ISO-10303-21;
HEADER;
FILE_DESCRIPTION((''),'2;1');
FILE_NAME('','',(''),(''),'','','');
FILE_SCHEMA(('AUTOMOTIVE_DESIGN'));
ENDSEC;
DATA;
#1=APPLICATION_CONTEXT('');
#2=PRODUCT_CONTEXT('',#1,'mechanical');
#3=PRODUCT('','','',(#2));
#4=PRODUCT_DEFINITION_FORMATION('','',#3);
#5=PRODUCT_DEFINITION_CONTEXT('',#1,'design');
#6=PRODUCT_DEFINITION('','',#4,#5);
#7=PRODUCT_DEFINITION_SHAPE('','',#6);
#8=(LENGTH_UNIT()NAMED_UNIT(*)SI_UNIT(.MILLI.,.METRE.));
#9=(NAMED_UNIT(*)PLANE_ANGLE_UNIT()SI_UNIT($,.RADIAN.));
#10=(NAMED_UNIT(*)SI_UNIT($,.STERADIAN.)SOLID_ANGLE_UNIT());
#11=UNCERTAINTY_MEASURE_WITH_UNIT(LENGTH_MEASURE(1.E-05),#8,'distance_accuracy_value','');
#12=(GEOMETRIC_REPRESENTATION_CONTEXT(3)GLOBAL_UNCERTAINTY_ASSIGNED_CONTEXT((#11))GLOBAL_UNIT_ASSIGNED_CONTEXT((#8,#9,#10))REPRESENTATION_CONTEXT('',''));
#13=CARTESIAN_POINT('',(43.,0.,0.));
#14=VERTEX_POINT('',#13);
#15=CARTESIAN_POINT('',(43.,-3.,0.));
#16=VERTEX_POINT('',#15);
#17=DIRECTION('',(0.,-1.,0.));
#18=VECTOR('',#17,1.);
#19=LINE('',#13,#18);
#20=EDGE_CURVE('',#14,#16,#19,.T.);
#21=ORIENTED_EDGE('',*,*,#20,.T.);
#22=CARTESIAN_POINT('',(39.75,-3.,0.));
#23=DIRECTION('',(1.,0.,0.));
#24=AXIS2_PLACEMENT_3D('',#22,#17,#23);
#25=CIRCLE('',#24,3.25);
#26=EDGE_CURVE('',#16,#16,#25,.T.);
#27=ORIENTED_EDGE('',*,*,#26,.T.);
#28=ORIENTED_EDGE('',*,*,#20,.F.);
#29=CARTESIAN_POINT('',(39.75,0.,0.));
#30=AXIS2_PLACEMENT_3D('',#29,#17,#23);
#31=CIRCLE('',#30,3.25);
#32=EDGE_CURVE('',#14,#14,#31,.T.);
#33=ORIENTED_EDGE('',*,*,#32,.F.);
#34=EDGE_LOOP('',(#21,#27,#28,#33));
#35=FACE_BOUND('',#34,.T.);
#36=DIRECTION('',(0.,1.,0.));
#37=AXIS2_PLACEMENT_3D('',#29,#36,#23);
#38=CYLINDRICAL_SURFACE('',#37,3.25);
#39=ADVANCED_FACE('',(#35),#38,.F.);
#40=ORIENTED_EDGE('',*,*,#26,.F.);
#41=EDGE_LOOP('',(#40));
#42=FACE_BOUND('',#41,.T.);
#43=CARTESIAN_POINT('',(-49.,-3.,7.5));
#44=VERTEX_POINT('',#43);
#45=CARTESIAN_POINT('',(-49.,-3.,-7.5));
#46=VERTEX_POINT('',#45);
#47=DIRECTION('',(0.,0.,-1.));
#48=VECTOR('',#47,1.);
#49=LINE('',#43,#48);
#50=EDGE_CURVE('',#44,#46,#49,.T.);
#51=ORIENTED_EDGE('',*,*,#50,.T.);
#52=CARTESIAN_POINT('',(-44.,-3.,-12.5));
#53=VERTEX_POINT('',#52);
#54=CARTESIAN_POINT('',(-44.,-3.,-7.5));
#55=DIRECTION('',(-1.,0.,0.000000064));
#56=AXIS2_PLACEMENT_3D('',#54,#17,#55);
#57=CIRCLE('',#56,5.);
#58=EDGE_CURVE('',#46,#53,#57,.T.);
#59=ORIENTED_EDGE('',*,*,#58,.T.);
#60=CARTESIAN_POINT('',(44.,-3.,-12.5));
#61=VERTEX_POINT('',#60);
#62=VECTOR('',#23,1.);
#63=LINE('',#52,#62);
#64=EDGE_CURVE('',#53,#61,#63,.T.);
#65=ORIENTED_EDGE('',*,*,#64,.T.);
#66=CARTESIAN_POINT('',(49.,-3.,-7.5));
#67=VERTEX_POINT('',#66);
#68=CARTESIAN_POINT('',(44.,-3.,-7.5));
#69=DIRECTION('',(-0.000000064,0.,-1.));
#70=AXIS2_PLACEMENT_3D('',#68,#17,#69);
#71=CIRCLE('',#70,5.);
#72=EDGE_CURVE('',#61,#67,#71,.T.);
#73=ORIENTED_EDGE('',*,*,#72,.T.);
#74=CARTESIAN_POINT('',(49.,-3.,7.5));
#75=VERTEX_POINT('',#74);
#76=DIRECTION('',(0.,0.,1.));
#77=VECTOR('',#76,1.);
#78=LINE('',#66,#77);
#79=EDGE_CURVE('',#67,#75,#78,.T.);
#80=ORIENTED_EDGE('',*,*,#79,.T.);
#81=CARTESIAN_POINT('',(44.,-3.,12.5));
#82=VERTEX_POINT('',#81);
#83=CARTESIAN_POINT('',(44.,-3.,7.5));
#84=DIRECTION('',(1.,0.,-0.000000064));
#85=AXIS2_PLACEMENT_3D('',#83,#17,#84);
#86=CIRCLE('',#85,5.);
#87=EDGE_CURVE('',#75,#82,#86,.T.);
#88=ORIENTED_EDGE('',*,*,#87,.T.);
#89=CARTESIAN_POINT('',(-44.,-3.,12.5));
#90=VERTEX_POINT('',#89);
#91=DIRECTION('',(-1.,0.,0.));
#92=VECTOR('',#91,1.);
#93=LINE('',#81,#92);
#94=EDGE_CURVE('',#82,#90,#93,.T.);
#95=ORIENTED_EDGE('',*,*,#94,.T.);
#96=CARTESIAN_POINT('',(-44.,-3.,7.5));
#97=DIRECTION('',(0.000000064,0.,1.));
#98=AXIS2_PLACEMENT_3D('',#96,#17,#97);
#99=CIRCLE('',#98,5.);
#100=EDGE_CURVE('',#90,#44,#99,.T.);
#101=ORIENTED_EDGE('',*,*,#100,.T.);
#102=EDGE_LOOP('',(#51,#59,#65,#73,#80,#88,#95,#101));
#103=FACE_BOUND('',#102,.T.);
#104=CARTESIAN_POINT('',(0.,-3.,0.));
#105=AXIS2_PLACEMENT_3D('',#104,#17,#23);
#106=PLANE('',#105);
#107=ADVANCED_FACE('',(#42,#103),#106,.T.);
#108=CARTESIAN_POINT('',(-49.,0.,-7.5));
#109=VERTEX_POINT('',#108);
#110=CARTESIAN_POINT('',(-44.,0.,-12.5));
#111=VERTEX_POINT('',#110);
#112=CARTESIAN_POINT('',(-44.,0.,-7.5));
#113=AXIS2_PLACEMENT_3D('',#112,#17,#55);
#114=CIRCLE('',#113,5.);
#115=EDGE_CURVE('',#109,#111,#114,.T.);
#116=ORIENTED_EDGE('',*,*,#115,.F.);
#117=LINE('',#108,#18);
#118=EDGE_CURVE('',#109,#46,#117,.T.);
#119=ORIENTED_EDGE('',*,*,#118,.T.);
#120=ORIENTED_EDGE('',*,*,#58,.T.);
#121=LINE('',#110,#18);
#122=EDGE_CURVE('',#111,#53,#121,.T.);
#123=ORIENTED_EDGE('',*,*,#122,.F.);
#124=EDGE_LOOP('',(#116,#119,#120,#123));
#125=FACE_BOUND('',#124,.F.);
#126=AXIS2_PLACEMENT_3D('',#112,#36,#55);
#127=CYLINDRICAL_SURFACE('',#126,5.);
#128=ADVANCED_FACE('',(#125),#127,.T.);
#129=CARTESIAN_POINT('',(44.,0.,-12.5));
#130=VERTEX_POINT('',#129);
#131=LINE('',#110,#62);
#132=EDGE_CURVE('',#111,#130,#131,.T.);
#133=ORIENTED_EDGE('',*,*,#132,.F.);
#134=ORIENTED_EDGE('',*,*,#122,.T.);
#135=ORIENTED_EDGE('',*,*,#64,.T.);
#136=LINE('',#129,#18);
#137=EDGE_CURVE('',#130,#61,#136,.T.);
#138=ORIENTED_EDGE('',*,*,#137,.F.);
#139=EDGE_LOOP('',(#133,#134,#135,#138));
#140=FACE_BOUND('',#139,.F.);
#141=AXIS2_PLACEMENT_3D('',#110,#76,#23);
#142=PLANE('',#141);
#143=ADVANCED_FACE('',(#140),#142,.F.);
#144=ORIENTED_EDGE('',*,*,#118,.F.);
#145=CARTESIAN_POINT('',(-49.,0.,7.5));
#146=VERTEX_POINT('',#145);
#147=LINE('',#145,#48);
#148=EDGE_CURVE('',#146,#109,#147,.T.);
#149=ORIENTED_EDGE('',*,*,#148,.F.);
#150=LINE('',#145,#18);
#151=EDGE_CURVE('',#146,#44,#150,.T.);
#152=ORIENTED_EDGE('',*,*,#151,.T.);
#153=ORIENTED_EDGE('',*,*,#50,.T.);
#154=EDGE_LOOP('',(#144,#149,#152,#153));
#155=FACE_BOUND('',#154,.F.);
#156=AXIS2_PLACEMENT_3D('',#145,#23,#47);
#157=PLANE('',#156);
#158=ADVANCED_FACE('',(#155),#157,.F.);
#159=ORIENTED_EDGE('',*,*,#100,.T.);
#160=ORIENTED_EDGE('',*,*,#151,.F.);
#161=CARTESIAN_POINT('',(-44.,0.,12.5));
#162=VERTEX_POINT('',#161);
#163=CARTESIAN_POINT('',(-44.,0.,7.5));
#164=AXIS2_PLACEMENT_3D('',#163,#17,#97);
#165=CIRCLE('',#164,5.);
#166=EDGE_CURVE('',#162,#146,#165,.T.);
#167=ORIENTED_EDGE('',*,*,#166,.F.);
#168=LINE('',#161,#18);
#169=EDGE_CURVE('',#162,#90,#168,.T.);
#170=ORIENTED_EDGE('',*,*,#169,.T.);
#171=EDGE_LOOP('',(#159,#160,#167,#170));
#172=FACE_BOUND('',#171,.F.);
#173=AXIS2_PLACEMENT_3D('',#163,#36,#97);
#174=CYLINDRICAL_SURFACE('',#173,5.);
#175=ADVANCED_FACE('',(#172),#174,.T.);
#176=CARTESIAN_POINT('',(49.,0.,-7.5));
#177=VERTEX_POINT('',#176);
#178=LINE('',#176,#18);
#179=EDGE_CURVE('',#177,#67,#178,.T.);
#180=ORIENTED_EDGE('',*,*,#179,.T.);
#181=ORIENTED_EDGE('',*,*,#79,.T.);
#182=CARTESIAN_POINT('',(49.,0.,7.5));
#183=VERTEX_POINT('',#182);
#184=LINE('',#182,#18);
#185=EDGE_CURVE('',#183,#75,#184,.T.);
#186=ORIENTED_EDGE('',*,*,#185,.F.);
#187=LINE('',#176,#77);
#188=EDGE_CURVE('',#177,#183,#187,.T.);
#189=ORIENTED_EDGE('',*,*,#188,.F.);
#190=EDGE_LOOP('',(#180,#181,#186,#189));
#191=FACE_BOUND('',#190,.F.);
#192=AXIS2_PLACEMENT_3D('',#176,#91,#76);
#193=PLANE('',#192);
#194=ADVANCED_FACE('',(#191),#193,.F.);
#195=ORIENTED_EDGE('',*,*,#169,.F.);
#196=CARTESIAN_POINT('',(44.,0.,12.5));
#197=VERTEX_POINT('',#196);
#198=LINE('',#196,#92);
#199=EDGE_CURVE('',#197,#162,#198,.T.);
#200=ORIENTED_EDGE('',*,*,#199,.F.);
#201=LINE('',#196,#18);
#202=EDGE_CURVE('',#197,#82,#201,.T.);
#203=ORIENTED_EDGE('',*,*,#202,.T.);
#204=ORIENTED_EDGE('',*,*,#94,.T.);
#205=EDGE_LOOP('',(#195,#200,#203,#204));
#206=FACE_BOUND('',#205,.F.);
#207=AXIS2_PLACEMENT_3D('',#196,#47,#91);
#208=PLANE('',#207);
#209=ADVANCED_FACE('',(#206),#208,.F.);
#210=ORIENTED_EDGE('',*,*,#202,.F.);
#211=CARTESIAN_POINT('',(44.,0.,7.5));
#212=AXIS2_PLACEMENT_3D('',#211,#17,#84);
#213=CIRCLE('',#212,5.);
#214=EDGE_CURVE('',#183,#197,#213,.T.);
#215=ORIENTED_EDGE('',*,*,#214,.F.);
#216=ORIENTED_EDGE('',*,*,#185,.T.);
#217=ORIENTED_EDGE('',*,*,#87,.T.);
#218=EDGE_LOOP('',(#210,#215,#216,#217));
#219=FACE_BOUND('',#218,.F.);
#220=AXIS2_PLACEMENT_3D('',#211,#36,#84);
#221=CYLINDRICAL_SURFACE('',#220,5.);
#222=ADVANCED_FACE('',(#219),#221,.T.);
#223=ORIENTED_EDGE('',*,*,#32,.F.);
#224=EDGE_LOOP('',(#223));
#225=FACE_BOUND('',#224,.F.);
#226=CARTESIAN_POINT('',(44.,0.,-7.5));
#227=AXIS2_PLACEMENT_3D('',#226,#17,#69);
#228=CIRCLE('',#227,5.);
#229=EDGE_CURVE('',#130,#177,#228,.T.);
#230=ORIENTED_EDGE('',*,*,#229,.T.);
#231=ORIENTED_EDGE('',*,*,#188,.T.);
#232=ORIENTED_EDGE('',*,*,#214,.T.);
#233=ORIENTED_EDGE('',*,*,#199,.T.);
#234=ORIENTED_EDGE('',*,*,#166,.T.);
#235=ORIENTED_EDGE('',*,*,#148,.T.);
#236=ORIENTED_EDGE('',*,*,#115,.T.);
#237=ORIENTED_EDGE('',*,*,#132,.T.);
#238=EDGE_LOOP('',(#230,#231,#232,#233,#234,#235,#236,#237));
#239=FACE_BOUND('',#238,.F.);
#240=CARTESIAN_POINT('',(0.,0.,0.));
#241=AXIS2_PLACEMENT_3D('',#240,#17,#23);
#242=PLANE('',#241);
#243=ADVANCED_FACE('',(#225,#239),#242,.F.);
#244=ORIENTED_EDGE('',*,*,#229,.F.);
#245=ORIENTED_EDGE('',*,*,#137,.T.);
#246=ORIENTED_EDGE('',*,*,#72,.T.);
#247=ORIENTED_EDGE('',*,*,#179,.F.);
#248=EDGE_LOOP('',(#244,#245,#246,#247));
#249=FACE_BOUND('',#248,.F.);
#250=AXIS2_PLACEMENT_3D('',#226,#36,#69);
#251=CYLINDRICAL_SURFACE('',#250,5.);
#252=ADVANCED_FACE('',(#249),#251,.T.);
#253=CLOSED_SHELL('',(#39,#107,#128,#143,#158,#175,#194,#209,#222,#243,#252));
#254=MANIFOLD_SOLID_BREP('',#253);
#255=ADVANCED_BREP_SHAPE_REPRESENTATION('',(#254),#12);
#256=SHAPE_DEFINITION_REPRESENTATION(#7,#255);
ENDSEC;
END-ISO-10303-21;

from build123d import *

# Parameters (mm, degrees)
F0_R     = 3.25
F1_DEPTH = 3


with BuildPart() as f1:
    # F0 (on Front) → F1 (new body)
    with BuildSketch(Plane.XZ):
        with BuildLine():
            Line((-44, -12.5), (44, -12.5))
            ThreePointArc((44, -12.5), (47.535534, -11.035534), (49, -7.5))
            Line((49, -7.5), (49, 7.5))
            ThreePointArc((49, 7.5), (47.535534, 11.035534), (44, 12.5))
            Line((44, 12.5), (-44, 12.5))
            ThreePointArc((-44, 12.5), (-47.535534, 11.035534), (-49, 7.5))
            Line((-49, 7.5), (-49, -7.5))
            ThreePointArc((-49, -7.5), (-47.535534, -11.035534), (-44, -12.5))
        make_face()
        with Locations((39.75, 0)):
            Circle(F0_R, mode=Mode.SUBTRACT)
    extrude(amount=F1_DEPTH)


solid = f1.part
